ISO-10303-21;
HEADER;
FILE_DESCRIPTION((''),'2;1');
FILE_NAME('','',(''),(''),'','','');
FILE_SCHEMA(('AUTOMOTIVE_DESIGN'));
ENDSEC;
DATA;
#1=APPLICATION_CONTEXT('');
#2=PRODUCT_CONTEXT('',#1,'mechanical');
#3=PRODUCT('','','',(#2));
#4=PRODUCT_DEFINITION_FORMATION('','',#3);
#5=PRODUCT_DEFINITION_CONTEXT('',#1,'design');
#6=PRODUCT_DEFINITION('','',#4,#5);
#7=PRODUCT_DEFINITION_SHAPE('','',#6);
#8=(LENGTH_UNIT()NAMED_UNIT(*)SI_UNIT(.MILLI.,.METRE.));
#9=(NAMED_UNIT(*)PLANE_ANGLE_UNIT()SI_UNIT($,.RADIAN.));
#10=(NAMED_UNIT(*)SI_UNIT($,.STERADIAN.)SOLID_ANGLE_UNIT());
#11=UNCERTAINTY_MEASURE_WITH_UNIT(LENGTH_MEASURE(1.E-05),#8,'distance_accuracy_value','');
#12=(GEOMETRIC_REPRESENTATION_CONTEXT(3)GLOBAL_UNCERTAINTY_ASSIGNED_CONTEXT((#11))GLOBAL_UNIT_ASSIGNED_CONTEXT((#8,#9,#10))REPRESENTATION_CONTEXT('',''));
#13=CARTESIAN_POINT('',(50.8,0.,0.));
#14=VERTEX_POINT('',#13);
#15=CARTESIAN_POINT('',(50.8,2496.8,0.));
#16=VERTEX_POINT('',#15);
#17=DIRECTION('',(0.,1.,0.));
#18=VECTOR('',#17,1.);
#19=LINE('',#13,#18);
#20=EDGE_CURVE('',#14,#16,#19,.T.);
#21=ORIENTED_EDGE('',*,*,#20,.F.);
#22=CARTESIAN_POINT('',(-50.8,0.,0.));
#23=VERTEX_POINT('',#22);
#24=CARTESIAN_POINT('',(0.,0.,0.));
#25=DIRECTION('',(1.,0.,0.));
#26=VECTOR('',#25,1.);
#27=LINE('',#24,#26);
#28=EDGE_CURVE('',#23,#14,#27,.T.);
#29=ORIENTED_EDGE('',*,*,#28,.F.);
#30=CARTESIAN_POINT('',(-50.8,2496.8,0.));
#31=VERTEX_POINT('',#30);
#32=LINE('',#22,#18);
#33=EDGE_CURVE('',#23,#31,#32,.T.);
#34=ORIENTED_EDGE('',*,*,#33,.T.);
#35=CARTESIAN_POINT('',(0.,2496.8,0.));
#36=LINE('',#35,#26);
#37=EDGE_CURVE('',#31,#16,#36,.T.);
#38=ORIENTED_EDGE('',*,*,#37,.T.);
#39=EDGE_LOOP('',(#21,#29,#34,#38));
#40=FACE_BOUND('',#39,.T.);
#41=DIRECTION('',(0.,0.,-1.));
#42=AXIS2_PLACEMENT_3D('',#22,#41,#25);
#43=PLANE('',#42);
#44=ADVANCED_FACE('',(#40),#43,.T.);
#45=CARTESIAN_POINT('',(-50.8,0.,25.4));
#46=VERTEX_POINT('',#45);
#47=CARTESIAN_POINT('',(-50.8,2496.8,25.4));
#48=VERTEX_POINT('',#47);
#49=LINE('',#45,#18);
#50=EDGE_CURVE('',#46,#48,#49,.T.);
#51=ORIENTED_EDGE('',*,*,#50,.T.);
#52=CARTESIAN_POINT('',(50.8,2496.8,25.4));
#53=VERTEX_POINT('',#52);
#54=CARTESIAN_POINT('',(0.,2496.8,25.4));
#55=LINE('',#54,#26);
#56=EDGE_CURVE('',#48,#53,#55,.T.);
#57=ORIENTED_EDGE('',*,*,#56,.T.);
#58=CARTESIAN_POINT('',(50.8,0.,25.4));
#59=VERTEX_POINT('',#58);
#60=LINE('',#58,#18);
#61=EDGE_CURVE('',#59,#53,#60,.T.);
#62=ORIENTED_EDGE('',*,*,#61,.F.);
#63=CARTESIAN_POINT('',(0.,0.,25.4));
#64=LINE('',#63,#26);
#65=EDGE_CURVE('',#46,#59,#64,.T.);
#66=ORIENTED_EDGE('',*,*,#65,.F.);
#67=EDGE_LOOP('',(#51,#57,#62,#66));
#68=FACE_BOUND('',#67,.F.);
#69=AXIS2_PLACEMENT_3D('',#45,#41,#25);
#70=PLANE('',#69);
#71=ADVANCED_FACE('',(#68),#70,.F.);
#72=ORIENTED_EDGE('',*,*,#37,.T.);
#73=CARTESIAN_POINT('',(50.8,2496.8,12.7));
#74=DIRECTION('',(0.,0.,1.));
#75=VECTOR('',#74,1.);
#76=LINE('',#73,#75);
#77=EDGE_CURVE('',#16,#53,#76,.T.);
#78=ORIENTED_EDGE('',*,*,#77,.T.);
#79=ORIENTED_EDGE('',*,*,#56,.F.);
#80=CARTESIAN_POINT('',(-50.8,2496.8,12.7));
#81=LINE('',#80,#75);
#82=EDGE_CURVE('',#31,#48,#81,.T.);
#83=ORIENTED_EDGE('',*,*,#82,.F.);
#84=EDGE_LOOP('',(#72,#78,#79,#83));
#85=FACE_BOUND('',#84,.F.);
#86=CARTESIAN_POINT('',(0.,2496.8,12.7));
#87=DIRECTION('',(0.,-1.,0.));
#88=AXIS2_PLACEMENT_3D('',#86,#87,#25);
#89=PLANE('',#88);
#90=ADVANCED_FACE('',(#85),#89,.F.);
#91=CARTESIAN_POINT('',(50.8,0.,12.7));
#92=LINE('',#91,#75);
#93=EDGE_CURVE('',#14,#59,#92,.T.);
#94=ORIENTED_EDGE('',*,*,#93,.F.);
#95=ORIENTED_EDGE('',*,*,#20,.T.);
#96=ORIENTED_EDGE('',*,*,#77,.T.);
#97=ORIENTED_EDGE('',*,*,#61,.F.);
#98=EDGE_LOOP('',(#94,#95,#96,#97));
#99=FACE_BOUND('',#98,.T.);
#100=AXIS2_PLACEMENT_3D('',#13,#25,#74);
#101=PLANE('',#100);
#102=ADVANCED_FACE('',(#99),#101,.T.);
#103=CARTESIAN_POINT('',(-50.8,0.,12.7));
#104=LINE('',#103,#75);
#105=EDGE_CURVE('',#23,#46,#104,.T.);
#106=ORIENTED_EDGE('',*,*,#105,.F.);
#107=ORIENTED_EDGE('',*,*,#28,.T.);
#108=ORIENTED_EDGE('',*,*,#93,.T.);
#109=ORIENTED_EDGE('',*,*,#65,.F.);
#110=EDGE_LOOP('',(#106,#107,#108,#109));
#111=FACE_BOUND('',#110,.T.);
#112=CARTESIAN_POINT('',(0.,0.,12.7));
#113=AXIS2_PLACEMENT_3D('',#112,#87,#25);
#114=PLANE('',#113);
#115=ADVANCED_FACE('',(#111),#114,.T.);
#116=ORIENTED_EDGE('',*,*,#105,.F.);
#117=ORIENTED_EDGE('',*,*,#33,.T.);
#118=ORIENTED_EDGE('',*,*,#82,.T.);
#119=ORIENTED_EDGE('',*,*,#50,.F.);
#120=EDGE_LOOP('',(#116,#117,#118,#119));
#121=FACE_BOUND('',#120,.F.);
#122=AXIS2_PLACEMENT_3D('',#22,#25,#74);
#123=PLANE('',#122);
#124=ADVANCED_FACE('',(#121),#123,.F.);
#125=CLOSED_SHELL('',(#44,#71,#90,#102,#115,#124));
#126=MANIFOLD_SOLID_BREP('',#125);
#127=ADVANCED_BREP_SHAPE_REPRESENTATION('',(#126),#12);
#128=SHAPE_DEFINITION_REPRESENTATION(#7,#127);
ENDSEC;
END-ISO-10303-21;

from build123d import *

# Parameters (mm, degrees)
F0_W     = 101.6
F0_H     = 25.4
F1_DEPTH = 2496.8


with BuildPart() as f1:
    # F0 (on Front) → F1 (new body)
    with BuildSketch(Plane.XZ):
        with Locations((0, 12.7)):
            Rectangle(F0_W, F0_H)
    extrude(amount=-F1_DEPTH)


solid = f1.part
